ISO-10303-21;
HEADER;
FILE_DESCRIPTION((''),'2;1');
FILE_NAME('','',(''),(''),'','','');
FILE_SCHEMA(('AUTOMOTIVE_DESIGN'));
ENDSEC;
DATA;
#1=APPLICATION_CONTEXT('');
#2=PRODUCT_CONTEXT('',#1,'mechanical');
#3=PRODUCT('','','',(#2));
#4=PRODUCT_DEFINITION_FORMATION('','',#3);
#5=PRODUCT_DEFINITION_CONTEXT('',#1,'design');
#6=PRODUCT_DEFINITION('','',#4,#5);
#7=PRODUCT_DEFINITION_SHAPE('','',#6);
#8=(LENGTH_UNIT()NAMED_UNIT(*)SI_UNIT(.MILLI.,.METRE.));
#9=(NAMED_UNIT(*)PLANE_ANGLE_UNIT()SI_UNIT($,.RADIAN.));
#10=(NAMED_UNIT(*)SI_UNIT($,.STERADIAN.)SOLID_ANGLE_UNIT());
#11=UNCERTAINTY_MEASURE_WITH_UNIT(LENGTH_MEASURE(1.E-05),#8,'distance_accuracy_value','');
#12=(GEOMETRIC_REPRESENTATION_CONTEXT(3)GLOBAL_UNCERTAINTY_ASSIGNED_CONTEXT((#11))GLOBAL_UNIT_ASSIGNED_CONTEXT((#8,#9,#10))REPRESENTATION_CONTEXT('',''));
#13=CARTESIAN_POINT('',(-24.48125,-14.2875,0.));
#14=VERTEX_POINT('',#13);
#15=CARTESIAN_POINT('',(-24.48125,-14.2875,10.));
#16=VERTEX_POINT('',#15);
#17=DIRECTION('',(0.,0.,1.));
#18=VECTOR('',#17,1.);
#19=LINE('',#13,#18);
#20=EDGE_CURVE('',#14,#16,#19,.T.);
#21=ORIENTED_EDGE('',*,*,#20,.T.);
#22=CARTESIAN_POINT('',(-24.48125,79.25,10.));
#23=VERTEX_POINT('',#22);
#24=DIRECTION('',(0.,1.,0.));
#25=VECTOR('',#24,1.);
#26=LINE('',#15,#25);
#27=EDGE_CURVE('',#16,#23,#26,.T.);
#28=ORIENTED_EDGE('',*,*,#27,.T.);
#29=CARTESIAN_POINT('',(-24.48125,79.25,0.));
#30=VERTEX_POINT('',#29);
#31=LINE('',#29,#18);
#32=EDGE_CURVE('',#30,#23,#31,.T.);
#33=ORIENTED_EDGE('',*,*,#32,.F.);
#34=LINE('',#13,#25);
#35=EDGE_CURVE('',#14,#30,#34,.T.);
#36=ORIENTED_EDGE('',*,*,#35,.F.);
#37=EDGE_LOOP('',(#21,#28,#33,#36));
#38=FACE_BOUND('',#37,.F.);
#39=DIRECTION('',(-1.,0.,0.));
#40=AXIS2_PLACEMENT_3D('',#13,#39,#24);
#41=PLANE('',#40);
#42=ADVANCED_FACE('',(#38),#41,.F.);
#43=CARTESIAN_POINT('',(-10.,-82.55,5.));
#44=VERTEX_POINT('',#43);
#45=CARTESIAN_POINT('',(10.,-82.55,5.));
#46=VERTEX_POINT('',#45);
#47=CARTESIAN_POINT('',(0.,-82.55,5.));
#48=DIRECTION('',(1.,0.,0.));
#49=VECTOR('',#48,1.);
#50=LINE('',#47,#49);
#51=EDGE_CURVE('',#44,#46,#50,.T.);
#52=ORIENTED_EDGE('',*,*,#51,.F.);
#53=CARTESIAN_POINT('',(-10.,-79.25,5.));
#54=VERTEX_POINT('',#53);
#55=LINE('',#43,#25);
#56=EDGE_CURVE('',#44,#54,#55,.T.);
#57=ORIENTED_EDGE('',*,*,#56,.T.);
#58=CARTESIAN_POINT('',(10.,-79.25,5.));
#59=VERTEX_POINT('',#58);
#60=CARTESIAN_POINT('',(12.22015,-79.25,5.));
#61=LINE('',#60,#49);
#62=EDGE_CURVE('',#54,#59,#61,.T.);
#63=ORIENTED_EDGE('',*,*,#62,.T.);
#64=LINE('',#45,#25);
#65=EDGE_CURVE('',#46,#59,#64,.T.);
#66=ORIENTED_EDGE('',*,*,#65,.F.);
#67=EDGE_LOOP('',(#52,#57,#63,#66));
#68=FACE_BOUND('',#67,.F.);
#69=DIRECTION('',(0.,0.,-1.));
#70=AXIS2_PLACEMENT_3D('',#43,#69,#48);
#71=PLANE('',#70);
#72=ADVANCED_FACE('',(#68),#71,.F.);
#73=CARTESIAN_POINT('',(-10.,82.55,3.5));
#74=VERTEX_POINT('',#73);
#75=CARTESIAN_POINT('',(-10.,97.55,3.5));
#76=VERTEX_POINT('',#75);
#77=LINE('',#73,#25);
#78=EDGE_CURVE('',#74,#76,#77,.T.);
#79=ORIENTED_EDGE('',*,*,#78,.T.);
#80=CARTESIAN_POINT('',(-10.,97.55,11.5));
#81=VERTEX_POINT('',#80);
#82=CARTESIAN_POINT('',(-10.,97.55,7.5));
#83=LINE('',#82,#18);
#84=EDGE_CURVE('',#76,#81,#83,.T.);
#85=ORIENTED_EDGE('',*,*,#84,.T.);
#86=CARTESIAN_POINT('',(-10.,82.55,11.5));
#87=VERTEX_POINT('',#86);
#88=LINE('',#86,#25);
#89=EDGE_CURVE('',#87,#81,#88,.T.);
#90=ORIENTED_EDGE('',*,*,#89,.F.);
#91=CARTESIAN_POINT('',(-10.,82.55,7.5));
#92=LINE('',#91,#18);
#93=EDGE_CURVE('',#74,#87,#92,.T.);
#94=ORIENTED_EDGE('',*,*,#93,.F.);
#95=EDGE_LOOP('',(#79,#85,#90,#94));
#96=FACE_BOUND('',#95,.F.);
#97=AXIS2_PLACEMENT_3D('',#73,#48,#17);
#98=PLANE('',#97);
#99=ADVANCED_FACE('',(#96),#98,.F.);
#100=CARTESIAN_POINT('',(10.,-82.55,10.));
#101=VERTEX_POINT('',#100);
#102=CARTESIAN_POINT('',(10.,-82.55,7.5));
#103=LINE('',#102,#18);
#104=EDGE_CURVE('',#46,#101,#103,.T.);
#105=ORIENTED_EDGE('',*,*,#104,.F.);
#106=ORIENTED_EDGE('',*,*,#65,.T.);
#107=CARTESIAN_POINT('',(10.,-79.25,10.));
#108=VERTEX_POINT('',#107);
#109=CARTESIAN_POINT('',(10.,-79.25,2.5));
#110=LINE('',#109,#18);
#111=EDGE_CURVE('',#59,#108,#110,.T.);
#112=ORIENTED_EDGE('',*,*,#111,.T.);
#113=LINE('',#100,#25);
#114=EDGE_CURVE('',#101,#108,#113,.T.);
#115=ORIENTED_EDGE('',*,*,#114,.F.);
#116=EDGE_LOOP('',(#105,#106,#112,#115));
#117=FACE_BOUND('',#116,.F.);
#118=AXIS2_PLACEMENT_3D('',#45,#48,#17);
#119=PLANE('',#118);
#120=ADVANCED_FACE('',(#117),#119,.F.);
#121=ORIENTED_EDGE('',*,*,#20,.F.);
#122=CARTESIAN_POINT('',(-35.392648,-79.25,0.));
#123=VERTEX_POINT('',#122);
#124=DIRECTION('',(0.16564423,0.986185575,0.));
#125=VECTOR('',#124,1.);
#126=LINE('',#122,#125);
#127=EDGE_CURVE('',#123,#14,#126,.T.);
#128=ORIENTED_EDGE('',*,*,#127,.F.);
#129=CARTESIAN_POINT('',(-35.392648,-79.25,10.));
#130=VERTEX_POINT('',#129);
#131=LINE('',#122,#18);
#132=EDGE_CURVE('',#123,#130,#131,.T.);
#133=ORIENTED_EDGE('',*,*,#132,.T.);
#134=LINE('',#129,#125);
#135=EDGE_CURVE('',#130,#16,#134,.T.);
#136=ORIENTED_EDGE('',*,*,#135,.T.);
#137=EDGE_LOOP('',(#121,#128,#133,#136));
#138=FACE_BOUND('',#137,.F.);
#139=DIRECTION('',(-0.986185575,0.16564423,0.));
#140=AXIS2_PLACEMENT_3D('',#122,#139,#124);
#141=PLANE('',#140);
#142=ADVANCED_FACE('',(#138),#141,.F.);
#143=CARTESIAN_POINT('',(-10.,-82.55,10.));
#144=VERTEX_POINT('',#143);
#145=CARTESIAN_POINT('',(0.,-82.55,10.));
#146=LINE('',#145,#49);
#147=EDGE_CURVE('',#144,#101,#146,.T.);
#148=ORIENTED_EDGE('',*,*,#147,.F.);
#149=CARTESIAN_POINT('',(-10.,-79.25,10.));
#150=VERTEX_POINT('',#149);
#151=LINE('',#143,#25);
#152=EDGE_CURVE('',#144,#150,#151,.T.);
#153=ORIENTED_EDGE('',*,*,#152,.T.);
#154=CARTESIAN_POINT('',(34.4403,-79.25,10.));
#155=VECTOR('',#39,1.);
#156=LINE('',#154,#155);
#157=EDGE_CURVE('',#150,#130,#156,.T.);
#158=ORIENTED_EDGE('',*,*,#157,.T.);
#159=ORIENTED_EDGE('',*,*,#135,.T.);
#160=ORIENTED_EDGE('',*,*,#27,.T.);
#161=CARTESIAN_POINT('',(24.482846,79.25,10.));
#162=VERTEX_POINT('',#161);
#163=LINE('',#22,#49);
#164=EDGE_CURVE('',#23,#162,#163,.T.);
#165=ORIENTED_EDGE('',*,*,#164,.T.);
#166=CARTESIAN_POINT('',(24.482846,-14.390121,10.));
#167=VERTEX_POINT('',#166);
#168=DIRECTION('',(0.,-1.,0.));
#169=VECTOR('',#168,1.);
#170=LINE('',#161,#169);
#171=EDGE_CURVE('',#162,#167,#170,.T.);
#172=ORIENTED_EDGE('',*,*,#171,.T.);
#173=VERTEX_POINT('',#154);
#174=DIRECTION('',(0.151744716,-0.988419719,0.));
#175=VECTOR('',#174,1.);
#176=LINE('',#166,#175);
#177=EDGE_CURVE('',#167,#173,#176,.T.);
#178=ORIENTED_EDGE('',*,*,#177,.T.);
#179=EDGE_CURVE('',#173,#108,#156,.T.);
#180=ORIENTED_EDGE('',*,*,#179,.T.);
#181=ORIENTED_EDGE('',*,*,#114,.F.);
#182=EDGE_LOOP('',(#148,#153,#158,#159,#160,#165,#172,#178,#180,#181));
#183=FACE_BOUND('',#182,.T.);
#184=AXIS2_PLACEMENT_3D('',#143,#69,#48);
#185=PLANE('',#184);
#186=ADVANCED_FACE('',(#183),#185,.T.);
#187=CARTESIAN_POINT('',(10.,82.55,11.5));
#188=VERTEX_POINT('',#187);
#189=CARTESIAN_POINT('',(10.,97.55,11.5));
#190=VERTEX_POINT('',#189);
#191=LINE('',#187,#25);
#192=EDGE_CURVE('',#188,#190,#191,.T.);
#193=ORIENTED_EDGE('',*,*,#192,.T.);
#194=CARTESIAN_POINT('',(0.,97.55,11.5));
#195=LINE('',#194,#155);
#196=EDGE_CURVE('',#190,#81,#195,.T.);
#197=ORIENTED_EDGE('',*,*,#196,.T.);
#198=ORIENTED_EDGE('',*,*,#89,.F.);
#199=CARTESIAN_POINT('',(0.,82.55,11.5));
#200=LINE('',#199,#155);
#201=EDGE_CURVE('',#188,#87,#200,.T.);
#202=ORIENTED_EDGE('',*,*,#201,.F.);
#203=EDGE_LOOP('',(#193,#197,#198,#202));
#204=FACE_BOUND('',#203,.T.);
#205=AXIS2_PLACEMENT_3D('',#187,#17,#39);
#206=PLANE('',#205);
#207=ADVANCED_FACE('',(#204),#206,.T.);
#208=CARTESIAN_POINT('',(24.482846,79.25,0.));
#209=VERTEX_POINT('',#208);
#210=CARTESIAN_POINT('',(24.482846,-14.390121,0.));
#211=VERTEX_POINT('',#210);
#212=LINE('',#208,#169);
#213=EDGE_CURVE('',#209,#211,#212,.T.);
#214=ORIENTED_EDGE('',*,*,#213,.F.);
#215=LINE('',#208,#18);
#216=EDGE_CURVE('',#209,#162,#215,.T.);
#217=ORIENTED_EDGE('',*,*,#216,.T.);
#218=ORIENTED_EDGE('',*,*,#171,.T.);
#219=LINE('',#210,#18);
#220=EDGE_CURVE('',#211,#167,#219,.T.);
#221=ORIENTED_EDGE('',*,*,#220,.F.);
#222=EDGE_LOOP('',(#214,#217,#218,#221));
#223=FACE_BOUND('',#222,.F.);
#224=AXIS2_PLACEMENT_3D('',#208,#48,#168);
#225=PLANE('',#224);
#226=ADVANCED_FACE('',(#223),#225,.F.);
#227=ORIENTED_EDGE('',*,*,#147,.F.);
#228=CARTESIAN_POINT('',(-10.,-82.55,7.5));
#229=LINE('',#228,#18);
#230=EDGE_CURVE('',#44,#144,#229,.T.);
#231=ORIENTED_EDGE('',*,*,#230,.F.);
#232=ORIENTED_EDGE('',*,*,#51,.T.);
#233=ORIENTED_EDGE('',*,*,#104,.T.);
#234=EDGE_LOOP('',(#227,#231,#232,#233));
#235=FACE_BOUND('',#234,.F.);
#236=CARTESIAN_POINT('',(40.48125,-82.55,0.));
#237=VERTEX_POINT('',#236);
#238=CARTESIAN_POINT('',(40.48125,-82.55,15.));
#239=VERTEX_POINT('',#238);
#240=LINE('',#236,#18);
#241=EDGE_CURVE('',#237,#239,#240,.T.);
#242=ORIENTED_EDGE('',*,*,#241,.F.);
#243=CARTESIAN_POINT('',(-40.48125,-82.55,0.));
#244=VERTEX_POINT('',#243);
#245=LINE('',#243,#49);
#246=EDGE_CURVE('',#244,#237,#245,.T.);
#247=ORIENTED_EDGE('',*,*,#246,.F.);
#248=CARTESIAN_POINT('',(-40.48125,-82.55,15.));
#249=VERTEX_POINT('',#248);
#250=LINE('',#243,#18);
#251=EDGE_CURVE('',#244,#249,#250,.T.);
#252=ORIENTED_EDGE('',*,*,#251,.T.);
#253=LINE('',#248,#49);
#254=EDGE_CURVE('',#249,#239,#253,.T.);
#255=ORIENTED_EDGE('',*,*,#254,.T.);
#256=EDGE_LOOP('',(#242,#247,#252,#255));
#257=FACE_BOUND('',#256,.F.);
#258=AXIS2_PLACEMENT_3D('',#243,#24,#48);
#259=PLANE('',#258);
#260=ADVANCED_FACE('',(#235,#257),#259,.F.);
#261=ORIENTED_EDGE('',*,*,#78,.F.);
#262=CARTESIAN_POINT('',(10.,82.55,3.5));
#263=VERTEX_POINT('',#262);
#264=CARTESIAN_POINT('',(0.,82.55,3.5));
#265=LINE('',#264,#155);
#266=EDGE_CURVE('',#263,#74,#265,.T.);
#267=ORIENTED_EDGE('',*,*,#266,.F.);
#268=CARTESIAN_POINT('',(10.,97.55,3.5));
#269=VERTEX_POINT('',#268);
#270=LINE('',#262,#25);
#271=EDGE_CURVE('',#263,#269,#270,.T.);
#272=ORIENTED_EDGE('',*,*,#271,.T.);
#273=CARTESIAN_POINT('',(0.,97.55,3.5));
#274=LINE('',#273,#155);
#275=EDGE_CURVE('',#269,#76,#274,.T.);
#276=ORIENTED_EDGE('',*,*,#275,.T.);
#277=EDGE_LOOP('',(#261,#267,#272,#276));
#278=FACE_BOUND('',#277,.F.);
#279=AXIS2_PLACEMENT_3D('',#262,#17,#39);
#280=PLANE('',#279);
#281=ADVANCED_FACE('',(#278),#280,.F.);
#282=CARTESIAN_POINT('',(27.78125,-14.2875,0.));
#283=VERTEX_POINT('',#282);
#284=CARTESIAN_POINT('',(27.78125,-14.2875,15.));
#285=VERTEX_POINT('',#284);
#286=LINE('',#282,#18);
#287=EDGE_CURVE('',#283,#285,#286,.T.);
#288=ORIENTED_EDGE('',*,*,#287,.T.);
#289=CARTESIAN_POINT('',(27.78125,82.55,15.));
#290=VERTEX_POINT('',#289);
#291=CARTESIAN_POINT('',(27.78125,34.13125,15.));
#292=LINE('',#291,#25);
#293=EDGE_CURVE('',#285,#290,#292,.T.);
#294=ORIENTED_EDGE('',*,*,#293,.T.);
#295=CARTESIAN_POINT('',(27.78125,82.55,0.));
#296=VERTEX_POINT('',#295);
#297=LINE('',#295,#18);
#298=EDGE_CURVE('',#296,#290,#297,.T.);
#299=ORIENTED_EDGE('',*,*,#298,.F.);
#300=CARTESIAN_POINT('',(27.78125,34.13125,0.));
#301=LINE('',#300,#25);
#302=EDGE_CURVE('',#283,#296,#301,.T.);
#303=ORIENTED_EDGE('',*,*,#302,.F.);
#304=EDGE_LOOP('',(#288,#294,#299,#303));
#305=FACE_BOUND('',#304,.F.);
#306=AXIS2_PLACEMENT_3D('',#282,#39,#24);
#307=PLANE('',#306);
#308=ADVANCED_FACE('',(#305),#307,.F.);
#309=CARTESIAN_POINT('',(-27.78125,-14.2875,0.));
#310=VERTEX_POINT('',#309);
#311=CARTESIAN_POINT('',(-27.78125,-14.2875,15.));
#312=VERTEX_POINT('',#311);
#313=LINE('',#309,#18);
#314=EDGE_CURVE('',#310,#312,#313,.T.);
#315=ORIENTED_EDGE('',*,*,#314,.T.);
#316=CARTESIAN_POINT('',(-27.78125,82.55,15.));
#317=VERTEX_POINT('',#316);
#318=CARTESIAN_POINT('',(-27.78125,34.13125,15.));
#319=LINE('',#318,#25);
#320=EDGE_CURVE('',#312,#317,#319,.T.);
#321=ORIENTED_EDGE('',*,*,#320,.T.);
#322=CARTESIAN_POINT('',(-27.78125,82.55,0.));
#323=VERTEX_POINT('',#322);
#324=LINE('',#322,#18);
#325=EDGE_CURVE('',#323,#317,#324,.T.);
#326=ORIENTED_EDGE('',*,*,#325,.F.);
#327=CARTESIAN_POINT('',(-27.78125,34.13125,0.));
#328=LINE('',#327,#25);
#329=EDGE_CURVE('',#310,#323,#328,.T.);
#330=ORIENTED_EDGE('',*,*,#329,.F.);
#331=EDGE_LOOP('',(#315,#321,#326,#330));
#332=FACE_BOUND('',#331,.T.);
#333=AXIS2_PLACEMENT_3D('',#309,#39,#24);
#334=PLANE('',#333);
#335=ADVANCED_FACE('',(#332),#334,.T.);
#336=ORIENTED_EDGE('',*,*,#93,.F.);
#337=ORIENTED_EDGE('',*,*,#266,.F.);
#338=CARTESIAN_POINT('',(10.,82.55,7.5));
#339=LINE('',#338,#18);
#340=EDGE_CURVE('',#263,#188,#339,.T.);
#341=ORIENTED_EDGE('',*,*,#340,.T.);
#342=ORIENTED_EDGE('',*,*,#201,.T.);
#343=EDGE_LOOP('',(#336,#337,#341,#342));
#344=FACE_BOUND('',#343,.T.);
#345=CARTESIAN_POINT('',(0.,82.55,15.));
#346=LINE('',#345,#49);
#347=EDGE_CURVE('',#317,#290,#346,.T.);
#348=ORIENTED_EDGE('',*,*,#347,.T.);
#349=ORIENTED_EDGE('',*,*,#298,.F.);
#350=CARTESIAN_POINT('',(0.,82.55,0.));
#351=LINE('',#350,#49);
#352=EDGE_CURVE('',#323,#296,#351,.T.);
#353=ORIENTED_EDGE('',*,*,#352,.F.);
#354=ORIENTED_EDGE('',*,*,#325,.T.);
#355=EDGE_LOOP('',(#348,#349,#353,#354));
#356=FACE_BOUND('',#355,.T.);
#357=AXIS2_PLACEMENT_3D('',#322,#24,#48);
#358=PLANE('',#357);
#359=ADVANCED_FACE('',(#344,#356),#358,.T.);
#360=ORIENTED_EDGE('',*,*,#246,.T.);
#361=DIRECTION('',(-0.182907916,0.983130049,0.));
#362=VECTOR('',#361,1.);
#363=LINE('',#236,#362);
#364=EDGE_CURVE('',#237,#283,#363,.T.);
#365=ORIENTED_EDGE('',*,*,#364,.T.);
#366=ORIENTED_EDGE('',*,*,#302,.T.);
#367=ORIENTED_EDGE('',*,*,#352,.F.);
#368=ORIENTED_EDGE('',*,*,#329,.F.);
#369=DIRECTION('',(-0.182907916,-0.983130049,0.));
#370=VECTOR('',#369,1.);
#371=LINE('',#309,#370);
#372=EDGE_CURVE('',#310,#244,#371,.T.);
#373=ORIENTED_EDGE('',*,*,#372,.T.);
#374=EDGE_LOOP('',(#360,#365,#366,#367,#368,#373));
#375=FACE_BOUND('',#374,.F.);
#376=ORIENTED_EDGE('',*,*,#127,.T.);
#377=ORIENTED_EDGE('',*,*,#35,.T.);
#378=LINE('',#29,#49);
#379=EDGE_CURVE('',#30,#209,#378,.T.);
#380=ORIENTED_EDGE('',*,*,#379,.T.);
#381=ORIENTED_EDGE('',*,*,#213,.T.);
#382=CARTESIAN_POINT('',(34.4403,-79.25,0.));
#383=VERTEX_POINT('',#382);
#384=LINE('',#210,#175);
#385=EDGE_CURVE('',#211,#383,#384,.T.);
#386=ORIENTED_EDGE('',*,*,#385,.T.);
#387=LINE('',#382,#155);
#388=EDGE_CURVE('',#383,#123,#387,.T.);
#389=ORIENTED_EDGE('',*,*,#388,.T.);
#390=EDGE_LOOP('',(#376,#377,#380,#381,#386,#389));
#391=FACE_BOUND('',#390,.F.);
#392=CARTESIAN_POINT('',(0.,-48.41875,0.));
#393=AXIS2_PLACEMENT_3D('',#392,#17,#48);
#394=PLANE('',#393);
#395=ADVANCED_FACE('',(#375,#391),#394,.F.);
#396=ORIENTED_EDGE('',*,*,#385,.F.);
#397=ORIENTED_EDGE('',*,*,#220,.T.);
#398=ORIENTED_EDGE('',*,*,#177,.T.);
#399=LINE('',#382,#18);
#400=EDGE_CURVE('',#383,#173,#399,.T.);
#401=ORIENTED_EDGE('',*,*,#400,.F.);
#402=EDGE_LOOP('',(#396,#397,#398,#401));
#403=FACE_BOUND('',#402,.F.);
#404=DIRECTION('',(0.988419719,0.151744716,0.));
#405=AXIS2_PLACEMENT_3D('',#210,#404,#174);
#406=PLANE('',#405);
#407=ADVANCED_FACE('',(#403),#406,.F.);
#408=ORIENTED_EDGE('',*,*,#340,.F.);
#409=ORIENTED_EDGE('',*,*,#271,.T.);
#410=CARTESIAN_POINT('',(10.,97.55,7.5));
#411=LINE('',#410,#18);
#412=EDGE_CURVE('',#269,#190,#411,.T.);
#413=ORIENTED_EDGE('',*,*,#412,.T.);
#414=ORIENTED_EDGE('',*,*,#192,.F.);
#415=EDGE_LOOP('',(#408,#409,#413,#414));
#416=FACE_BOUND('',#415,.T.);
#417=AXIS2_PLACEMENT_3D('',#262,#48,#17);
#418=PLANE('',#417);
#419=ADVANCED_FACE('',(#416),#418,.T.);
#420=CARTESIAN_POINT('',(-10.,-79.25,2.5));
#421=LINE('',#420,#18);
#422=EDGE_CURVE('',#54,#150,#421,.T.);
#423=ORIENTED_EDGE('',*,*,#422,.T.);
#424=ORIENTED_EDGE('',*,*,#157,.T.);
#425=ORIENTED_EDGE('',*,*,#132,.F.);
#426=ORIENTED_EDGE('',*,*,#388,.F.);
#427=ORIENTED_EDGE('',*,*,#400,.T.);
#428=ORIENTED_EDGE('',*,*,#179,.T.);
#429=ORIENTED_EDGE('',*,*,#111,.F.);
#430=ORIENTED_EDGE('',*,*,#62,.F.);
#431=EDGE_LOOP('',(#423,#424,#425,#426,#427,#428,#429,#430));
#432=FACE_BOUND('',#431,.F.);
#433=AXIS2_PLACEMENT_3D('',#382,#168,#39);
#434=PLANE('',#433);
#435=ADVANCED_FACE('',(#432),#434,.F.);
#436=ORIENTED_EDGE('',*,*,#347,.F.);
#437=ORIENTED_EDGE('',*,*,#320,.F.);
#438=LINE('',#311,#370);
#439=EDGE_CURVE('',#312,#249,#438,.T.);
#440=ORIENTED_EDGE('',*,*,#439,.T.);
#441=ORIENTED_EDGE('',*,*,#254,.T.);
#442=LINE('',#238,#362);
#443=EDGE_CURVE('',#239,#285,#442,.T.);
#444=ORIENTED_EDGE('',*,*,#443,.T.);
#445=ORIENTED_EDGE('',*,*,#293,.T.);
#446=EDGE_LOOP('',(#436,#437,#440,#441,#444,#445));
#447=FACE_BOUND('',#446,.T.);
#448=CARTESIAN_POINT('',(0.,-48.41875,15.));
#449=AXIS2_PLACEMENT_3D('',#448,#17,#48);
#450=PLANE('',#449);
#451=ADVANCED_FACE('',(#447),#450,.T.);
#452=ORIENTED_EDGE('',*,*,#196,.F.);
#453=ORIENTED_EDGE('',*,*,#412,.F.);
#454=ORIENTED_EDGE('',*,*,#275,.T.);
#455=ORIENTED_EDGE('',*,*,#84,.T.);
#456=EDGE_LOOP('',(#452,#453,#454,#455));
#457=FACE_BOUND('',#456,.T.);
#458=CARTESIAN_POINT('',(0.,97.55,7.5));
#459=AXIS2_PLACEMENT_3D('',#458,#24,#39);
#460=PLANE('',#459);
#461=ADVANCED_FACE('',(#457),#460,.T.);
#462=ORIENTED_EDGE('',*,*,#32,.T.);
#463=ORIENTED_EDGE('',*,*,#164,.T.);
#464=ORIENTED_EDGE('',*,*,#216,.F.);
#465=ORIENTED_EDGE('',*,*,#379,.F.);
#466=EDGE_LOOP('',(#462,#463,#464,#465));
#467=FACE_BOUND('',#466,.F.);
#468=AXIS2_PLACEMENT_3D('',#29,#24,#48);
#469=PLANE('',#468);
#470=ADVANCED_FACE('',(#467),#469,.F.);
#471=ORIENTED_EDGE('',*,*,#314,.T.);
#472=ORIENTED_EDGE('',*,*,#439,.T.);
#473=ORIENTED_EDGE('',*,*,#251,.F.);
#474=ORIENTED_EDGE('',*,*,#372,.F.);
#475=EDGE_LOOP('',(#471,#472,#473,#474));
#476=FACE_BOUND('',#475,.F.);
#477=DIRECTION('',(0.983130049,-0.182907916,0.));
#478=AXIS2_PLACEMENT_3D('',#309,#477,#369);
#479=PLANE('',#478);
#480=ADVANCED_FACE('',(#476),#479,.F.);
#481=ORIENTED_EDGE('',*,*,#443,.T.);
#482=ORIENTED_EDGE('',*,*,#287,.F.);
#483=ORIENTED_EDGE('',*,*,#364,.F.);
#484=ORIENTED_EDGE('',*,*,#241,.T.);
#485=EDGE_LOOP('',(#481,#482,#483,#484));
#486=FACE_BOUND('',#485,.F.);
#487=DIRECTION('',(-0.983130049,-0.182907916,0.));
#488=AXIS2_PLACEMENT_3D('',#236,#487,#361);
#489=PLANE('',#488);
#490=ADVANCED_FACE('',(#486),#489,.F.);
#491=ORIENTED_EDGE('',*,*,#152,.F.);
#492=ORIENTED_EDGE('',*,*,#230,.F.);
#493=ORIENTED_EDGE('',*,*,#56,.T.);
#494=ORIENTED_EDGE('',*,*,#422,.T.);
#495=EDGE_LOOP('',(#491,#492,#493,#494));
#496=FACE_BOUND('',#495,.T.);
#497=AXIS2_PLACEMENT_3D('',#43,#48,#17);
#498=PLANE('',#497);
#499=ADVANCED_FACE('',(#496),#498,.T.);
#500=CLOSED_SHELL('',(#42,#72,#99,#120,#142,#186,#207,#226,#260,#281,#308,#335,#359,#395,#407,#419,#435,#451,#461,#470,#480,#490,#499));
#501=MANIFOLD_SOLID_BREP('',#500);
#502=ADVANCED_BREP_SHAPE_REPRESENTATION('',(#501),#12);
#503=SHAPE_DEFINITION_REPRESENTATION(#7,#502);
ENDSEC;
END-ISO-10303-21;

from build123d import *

# Parameters (mm, degrees)
F0_W     = 55.5625
F0_H     = 68.2625
F0_H_2   = 96.8375
F1_DEPTH = 15
F3_DEPTH = 10
F4_W     = 20
F4_H     = 5
F5_DEPTH = 25
F6_W     = 20
F6_H     = 8
F7_DEPTH = 15


with BuildPart() as f1:
    # F0 (on Top) → F1 (new body)
    with BuildSketch(Plane.XY):
        with Locations((0, -48.41875)):
            Rectangle(F0_W, F0_H)
        Polygon((27.78125, -14.2875), (27.78125, -82.55), (40.48125, -82.55), align=None)
        Polygon((-40.48125, -82.55), (-27.78125, -82.55), (-27.78125, -14.2875), align=None)
        with Locations((0, 34.13125)):
            Rectangle(F0_W, F0_H_2)
    extrude(amount=F1_DEPTH)

    # F2 (on face) → F3 (cut)
    with BuildSketch(Plane(origin=(0, 0, 0), x_dir=(1, 0, 0), z_dir=(0, 0, -1))):
        Polygon((34.4403, 79.25), (-35.392648, 79.25), (-24.48125, 14.2875), (-24.48125, -79.25), (24.482846, -79.25), (24.482846, 14.390121), align=None)
    extrude(amount=-F3_DEPTH, mode=Mode.SUBTRACT)

    # F4 (on face) → F5 (cut)
    with BuildSketch(Plane.XZ.offset(82.55)):
        with Locations((0, 7.5)):
            Rectangle(F4_W, F4_H)
    extrude(amount=-F5_DEPTH, mode=Mode.SUBTRACT)

    # F6 (on face) → F7 (join)
    with BuildSketch(Plane(origin=(0, 82.55, 0), x_dir=(-1, 0, 0), z_dir=(0, 1, 0))):
        with Locations((0, 7.5)):
            Rectangle(F6_W, F6_H)
    extrude(amount=F7_DEPTH)


solid = f1.part
